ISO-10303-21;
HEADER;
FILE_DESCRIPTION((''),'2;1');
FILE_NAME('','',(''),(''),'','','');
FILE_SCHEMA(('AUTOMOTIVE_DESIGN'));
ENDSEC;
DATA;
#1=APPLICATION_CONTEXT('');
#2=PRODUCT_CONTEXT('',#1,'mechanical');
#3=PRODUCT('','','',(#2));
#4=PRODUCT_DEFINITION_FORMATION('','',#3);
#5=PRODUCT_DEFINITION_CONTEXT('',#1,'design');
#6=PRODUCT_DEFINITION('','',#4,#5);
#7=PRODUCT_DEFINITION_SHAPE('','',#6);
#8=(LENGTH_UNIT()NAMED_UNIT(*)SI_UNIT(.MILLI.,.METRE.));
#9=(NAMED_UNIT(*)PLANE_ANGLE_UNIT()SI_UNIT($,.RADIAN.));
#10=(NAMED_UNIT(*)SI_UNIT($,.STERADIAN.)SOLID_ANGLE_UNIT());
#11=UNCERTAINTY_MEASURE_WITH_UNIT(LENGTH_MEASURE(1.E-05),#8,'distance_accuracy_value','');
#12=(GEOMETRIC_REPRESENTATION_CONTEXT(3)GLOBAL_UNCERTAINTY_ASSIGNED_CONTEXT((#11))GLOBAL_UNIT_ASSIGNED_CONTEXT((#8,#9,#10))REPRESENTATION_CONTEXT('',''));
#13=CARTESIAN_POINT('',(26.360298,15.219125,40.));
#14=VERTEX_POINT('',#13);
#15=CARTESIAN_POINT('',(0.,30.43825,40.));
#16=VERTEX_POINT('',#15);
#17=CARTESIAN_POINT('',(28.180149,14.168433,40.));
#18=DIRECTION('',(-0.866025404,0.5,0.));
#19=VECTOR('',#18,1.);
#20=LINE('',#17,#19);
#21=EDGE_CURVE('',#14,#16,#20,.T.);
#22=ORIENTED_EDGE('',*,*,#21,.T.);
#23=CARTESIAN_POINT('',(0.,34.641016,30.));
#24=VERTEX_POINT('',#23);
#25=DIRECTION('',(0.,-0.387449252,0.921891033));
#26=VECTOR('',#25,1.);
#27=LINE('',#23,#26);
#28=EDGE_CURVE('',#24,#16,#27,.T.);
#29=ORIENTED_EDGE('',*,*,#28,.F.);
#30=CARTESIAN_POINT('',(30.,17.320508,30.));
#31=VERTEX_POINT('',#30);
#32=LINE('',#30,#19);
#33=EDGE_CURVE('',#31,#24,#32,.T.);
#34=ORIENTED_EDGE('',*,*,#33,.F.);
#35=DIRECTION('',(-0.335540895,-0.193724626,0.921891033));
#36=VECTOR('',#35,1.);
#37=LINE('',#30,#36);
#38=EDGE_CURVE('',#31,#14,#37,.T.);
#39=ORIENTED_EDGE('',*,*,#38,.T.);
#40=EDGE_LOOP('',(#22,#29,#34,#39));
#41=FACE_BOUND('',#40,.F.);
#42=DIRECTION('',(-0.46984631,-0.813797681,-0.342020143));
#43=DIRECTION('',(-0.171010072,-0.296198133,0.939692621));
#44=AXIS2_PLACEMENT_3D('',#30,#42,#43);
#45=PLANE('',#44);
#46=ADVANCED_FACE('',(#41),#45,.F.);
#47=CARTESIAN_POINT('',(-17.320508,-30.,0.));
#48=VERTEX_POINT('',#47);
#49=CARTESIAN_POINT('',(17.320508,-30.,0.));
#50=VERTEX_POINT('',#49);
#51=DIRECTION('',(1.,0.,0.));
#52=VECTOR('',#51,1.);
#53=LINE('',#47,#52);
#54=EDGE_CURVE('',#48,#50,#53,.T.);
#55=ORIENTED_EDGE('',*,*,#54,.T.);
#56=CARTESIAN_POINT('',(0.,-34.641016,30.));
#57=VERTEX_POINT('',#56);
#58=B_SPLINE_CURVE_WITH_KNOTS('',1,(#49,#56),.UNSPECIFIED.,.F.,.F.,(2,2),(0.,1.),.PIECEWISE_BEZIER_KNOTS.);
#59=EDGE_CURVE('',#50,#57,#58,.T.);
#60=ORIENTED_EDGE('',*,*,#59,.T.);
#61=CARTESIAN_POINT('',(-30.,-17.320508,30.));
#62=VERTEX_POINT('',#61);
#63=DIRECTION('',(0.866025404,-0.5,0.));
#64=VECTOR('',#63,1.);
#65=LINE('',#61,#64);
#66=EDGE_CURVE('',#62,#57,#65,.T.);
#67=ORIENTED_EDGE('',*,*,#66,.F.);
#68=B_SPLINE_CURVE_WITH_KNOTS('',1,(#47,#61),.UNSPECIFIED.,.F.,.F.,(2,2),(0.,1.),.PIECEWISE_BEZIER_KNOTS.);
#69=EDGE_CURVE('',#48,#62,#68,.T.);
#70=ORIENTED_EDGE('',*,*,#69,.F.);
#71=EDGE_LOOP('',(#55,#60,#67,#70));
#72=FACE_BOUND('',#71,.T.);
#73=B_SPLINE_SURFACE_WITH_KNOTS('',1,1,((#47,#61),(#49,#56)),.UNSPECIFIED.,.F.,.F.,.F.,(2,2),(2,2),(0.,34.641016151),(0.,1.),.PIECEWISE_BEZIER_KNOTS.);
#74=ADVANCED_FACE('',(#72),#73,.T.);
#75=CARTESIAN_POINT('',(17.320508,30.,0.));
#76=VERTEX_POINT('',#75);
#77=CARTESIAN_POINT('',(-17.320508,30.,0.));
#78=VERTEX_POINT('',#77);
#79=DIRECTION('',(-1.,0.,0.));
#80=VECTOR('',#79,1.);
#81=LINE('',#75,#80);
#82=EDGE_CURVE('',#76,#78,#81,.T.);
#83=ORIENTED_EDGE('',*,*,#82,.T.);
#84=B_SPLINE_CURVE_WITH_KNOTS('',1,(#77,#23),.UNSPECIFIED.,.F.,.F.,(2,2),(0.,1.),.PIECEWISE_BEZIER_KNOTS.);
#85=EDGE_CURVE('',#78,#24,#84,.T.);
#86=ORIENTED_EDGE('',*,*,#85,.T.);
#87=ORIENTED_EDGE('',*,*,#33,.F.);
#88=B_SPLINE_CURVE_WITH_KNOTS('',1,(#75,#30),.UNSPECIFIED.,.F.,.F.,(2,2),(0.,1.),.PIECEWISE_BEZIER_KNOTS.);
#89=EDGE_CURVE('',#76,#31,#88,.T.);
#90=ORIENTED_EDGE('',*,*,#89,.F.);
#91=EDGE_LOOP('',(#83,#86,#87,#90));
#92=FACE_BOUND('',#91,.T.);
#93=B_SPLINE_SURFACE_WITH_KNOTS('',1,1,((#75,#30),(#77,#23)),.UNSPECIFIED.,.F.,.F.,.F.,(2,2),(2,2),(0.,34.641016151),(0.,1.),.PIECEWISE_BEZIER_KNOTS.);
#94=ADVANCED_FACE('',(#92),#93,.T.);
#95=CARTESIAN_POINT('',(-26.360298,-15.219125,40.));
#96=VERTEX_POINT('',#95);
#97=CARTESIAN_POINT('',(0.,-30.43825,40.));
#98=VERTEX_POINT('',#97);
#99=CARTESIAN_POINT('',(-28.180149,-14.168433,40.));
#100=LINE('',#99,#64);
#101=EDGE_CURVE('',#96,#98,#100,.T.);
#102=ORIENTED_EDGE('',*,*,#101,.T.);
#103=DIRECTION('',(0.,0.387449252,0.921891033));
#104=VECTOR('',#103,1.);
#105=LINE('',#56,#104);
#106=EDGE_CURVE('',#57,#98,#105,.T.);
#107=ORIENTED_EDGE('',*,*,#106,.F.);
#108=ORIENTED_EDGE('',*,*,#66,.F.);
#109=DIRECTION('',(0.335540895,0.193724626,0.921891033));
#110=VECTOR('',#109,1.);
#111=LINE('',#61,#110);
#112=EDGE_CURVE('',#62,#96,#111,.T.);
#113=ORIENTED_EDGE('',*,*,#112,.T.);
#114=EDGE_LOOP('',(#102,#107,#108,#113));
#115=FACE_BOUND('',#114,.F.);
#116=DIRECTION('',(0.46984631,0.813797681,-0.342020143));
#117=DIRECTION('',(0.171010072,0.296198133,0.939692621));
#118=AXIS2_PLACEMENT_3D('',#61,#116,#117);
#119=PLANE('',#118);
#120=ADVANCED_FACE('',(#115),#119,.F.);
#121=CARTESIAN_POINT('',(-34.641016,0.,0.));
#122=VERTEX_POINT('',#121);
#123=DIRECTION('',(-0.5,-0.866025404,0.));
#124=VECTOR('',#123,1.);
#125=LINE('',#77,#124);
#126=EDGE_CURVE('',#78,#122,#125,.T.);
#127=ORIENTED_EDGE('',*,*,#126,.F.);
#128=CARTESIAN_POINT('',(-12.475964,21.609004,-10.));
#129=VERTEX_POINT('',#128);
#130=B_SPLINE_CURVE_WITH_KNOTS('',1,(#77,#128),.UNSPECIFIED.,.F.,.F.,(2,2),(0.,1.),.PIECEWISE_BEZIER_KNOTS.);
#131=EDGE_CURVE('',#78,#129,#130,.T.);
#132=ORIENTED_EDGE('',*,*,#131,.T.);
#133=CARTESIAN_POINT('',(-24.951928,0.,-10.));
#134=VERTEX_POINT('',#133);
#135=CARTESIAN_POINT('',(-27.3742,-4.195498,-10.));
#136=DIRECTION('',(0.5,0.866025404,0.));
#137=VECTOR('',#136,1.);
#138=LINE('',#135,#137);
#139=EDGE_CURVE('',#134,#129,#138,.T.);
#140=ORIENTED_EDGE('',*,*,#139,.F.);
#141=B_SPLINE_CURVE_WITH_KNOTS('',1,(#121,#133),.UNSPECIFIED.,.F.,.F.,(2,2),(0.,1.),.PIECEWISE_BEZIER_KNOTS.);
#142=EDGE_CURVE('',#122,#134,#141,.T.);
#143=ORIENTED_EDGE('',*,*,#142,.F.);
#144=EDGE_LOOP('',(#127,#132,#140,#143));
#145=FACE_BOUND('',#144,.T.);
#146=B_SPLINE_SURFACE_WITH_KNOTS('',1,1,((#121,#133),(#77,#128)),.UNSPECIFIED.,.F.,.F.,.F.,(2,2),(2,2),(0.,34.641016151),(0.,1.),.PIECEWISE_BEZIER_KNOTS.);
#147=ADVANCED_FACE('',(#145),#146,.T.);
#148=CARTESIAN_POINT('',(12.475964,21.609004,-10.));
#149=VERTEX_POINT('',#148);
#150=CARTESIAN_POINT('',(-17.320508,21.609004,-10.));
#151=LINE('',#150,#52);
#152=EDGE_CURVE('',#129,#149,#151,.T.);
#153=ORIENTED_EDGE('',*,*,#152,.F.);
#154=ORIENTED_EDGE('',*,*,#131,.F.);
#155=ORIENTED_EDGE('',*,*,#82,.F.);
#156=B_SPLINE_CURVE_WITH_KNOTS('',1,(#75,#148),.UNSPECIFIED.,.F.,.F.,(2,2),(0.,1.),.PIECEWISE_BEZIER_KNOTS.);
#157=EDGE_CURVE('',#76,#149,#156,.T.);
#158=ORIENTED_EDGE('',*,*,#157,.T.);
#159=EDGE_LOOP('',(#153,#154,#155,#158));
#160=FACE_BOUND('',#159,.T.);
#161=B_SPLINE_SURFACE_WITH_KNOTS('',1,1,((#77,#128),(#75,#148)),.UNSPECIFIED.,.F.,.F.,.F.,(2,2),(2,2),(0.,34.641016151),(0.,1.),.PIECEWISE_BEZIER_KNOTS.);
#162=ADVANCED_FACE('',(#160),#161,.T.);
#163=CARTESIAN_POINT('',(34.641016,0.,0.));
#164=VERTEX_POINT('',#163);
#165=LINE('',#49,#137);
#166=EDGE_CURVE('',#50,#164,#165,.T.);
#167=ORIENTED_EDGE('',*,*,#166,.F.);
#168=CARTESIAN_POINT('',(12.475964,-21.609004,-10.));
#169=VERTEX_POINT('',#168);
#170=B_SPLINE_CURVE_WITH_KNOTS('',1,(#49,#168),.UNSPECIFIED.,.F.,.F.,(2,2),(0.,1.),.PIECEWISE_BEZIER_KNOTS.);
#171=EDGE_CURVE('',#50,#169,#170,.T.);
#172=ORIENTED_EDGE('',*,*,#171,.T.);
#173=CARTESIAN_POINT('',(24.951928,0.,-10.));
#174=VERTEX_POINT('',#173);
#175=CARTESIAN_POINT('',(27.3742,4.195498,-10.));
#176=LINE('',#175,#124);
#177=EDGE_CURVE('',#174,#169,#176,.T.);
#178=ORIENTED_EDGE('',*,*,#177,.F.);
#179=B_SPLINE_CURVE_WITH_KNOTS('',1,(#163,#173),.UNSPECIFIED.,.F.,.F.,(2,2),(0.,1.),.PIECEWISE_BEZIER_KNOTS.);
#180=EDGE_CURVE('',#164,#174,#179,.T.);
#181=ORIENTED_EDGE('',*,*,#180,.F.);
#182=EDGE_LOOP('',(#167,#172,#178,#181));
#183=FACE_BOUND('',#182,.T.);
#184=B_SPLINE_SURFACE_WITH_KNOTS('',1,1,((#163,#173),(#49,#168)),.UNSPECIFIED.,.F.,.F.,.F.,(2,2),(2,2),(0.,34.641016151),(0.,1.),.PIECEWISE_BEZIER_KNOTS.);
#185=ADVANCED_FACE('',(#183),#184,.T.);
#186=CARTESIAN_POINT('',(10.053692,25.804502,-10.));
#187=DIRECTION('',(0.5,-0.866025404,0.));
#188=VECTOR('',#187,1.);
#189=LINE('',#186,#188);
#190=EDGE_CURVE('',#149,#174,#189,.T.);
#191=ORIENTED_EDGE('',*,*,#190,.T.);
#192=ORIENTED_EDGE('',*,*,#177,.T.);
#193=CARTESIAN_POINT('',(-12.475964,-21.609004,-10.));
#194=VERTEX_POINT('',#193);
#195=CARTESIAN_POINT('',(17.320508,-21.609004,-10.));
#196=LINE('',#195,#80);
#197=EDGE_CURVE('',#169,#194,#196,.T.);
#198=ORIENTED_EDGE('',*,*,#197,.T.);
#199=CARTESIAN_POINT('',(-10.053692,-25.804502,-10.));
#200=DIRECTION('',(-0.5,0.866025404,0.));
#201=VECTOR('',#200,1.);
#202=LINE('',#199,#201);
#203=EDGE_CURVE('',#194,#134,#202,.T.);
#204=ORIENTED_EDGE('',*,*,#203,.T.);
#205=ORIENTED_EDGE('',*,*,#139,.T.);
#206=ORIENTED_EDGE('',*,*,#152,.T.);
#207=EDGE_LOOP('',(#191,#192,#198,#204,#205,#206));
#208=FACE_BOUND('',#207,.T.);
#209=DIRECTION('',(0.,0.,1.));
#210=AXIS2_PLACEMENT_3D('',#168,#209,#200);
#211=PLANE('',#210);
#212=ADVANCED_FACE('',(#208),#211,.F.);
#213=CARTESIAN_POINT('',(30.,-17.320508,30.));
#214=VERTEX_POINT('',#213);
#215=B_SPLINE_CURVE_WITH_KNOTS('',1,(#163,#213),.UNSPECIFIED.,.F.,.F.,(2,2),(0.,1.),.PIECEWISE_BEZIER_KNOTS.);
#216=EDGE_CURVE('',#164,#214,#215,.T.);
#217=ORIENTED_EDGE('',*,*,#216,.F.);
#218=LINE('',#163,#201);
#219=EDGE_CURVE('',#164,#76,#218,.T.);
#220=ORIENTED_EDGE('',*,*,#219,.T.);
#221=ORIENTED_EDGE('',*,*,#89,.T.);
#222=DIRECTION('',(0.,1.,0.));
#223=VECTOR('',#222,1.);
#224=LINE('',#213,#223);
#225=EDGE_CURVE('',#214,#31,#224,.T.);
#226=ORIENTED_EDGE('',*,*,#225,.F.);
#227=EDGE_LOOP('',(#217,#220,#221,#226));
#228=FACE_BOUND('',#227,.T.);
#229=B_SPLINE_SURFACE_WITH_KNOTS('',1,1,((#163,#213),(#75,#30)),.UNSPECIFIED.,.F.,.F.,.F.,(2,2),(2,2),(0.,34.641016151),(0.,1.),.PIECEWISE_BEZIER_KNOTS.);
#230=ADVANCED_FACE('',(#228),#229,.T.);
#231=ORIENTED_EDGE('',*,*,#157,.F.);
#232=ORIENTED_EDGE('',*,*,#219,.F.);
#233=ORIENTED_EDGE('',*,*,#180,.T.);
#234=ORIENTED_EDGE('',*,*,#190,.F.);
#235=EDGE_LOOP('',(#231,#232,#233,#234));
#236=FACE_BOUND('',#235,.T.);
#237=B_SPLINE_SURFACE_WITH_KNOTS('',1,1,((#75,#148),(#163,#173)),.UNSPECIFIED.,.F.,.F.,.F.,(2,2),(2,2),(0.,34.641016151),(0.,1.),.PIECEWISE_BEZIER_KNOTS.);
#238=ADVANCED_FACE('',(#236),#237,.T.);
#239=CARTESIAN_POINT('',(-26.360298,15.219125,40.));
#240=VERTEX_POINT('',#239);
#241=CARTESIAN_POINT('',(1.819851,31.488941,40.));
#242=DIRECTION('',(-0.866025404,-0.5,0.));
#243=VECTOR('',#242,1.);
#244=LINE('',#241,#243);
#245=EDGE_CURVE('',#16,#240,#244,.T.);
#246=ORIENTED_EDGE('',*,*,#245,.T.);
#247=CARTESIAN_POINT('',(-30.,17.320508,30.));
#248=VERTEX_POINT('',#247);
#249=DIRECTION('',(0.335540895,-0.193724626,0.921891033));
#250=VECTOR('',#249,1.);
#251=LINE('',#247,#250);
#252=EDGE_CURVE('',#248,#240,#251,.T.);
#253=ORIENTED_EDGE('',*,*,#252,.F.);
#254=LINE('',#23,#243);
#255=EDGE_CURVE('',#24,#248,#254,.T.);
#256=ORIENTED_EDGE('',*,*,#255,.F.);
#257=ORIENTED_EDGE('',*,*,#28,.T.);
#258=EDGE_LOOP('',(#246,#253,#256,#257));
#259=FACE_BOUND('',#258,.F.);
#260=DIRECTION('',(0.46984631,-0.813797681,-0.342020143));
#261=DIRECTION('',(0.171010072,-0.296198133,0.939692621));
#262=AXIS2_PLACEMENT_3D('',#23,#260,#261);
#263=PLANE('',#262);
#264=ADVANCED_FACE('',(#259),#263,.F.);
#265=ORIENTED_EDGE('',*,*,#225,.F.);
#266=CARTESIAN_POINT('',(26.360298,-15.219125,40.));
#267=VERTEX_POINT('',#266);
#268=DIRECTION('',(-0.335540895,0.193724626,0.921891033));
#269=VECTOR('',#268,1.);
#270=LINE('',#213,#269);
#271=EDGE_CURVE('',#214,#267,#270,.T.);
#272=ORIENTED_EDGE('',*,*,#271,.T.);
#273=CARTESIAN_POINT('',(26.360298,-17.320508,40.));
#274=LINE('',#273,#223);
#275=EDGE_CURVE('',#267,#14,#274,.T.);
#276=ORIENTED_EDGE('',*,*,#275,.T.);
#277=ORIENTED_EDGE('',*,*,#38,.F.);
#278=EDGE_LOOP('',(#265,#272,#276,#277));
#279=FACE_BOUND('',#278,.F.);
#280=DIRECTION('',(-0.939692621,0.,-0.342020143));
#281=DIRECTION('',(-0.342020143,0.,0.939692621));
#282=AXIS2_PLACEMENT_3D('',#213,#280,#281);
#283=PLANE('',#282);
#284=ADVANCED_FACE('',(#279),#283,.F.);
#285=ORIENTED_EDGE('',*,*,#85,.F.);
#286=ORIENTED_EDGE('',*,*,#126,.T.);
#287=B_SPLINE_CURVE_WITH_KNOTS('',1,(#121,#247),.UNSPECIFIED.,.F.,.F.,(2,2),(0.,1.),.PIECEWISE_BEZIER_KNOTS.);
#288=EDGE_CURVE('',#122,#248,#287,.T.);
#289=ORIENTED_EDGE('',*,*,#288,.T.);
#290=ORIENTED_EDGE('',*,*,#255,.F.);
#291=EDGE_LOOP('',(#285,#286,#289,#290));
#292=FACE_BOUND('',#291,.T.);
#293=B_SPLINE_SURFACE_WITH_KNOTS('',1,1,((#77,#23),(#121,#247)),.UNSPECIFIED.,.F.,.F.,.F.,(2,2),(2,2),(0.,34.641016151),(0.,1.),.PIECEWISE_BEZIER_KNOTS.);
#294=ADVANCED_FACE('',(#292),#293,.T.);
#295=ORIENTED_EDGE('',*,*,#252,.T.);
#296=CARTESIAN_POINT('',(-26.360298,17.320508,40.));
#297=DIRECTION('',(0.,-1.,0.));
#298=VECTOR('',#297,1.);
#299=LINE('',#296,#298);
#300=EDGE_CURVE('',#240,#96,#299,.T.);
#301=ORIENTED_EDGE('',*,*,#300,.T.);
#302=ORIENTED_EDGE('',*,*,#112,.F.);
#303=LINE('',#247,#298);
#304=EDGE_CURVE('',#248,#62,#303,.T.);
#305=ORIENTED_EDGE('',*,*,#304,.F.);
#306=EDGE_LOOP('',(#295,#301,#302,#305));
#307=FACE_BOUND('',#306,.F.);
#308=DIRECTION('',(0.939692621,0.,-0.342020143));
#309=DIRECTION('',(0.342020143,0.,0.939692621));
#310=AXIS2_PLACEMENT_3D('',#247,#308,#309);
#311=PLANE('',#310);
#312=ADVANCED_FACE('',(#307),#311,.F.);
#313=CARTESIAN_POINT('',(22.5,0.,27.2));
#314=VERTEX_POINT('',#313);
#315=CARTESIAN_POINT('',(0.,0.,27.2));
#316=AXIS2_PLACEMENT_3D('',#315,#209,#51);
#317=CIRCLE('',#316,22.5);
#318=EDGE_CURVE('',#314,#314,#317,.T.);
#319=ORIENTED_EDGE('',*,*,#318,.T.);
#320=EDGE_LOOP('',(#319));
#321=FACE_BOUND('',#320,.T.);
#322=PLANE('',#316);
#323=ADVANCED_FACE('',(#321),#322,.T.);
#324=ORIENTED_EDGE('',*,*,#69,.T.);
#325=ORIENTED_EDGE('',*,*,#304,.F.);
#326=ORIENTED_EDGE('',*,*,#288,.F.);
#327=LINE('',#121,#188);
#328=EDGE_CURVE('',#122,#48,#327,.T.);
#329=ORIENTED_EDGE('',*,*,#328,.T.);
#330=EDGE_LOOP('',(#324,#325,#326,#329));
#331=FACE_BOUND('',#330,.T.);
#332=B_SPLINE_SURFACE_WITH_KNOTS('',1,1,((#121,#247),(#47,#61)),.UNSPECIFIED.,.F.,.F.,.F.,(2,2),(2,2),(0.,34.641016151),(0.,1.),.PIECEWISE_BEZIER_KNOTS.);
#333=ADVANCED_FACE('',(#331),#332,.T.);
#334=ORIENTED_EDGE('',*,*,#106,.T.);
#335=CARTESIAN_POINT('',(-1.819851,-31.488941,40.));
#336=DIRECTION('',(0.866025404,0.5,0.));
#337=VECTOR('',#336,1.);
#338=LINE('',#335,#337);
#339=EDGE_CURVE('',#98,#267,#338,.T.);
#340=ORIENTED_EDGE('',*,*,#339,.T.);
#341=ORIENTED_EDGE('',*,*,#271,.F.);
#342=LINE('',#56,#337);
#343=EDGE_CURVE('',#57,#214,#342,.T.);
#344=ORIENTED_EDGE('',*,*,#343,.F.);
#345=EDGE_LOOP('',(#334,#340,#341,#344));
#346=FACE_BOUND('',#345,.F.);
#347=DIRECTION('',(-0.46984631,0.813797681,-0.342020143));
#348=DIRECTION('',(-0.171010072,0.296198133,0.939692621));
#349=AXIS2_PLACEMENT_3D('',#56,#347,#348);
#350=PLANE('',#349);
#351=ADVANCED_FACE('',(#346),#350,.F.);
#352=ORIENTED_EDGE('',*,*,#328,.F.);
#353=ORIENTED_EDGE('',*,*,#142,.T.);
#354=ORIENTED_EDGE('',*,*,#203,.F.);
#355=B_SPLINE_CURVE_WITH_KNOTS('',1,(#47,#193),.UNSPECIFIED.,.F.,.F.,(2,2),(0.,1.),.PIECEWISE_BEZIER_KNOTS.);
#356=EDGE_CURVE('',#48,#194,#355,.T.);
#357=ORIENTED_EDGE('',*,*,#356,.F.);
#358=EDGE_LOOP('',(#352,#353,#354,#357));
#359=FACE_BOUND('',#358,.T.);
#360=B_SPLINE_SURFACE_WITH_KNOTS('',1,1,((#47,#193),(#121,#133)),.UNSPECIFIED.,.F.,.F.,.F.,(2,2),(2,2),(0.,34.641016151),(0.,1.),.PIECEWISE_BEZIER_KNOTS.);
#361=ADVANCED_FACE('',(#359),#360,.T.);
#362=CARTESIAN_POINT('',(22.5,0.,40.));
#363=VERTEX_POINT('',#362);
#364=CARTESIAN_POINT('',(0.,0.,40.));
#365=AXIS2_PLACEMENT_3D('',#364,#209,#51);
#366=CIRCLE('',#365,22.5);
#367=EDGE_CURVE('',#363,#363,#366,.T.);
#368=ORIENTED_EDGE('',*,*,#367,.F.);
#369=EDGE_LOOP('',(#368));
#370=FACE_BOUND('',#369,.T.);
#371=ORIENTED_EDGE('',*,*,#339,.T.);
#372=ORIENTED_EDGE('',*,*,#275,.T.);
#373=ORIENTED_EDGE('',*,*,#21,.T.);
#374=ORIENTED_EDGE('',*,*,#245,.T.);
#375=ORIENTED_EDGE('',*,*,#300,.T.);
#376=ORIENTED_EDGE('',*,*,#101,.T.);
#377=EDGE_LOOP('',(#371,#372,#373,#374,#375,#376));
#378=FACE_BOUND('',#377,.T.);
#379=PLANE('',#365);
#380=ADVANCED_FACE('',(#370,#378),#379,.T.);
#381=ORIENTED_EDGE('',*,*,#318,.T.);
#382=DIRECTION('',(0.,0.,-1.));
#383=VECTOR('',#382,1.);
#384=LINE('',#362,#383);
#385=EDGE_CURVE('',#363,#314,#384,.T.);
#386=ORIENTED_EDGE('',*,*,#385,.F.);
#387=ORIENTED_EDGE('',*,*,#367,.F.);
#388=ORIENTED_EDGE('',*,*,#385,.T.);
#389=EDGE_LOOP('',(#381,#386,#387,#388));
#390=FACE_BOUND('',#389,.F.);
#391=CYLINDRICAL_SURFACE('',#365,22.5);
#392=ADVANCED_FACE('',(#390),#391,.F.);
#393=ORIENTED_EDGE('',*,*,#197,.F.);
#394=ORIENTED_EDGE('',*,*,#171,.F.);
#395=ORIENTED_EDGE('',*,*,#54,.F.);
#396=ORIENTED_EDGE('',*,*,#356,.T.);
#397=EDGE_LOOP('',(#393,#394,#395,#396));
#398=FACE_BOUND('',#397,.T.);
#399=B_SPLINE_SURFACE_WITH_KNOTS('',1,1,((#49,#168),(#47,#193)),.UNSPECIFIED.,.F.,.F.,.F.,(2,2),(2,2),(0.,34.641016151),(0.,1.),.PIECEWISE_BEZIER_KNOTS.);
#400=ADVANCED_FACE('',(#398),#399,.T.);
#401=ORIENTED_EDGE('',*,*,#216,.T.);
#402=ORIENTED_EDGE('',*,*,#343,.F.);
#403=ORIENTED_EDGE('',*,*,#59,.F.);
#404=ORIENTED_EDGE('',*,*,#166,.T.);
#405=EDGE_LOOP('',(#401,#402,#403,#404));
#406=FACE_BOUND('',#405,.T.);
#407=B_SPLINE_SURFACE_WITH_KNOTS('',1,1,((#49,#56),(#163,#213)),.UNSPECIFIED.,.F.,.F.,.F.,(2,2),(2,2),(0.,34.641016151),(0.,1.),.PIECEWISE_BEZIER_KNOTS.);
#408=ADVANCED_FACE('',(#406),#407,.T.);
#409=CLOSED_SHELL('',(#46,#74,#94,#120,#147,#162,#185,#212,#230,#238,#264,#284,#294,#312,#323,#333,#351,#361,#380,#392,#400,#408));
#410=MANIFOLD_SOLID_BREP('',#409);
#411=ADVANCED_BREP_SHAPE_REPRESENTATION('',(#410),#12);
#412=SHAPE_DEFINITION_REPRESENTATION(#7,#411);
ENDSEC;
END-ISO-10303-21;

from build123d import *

# Parameters (mm, degrees)
F4_DEPTH = 10
F4_TAPER = 40
F5_DEPTH = 10
F5_TAPER = 20
F6_R     = 22.5
F7_DEPTH = 12.8


with BuildPart() as f3:
    # F0 (on Top) → F3 section 0
    with BuildSketch(Plane.XY):
        Polygon((34.6410161514, 0), (17.3205080757, 30), (-17.3205080757, 30), (-34.6410161514, 0), (-17.3205080757, -30), (17.3205080757, -30), align=None)
    # F2 (on offset) → F3 section 1
    with BuildSketch(Plane.XY.offset(30)):
        Polygon((0, 34.6410161514), (-30, 17.3205080757), (-30, -17.3205080757), (0, -34.6410161514), (30, -17.3205080757), (30, 17.3205080757), align=None)
    loft()

    # F3_face (on face) → F4 (join)
    with BuildSketch(Plane(origin=(0, 0, 0), x_dir=(1, 0, 0), z_dir=(0, 0, -1))):
        Polygon((17.3205080757, 30), (-17.3205080757, 30), (-34.6410161514, 0), (-17.3205080757, -30), (17.3205080757, -30), (34.6410161514, 0), align=None)
    extrude(amount=F4_DEPTH, taper=F4_TAPER)

    # F3_face1 (on face) → F5 (join)
    with BuildSketch(Plane.XY.offset(30)):
        Polygon((0, -34.6410161514), (30, -17.3205080757), (30, 17.3205080757), (0, 34.6410161514), (-30, 17.3205080757), (-30, -17.3205080757), align=None)
    extrude(amount=F5_DEPTH, taper=F5_TAPER)

    # F6 (on face) → F7 (cut)
    with BuildSketch(Plane.XY.offset(40)):
        Circle(F6_R)
    extrude(amount=-F7_DEPTH, mode=Mode.SUBTRACT)


solid = f3.part
